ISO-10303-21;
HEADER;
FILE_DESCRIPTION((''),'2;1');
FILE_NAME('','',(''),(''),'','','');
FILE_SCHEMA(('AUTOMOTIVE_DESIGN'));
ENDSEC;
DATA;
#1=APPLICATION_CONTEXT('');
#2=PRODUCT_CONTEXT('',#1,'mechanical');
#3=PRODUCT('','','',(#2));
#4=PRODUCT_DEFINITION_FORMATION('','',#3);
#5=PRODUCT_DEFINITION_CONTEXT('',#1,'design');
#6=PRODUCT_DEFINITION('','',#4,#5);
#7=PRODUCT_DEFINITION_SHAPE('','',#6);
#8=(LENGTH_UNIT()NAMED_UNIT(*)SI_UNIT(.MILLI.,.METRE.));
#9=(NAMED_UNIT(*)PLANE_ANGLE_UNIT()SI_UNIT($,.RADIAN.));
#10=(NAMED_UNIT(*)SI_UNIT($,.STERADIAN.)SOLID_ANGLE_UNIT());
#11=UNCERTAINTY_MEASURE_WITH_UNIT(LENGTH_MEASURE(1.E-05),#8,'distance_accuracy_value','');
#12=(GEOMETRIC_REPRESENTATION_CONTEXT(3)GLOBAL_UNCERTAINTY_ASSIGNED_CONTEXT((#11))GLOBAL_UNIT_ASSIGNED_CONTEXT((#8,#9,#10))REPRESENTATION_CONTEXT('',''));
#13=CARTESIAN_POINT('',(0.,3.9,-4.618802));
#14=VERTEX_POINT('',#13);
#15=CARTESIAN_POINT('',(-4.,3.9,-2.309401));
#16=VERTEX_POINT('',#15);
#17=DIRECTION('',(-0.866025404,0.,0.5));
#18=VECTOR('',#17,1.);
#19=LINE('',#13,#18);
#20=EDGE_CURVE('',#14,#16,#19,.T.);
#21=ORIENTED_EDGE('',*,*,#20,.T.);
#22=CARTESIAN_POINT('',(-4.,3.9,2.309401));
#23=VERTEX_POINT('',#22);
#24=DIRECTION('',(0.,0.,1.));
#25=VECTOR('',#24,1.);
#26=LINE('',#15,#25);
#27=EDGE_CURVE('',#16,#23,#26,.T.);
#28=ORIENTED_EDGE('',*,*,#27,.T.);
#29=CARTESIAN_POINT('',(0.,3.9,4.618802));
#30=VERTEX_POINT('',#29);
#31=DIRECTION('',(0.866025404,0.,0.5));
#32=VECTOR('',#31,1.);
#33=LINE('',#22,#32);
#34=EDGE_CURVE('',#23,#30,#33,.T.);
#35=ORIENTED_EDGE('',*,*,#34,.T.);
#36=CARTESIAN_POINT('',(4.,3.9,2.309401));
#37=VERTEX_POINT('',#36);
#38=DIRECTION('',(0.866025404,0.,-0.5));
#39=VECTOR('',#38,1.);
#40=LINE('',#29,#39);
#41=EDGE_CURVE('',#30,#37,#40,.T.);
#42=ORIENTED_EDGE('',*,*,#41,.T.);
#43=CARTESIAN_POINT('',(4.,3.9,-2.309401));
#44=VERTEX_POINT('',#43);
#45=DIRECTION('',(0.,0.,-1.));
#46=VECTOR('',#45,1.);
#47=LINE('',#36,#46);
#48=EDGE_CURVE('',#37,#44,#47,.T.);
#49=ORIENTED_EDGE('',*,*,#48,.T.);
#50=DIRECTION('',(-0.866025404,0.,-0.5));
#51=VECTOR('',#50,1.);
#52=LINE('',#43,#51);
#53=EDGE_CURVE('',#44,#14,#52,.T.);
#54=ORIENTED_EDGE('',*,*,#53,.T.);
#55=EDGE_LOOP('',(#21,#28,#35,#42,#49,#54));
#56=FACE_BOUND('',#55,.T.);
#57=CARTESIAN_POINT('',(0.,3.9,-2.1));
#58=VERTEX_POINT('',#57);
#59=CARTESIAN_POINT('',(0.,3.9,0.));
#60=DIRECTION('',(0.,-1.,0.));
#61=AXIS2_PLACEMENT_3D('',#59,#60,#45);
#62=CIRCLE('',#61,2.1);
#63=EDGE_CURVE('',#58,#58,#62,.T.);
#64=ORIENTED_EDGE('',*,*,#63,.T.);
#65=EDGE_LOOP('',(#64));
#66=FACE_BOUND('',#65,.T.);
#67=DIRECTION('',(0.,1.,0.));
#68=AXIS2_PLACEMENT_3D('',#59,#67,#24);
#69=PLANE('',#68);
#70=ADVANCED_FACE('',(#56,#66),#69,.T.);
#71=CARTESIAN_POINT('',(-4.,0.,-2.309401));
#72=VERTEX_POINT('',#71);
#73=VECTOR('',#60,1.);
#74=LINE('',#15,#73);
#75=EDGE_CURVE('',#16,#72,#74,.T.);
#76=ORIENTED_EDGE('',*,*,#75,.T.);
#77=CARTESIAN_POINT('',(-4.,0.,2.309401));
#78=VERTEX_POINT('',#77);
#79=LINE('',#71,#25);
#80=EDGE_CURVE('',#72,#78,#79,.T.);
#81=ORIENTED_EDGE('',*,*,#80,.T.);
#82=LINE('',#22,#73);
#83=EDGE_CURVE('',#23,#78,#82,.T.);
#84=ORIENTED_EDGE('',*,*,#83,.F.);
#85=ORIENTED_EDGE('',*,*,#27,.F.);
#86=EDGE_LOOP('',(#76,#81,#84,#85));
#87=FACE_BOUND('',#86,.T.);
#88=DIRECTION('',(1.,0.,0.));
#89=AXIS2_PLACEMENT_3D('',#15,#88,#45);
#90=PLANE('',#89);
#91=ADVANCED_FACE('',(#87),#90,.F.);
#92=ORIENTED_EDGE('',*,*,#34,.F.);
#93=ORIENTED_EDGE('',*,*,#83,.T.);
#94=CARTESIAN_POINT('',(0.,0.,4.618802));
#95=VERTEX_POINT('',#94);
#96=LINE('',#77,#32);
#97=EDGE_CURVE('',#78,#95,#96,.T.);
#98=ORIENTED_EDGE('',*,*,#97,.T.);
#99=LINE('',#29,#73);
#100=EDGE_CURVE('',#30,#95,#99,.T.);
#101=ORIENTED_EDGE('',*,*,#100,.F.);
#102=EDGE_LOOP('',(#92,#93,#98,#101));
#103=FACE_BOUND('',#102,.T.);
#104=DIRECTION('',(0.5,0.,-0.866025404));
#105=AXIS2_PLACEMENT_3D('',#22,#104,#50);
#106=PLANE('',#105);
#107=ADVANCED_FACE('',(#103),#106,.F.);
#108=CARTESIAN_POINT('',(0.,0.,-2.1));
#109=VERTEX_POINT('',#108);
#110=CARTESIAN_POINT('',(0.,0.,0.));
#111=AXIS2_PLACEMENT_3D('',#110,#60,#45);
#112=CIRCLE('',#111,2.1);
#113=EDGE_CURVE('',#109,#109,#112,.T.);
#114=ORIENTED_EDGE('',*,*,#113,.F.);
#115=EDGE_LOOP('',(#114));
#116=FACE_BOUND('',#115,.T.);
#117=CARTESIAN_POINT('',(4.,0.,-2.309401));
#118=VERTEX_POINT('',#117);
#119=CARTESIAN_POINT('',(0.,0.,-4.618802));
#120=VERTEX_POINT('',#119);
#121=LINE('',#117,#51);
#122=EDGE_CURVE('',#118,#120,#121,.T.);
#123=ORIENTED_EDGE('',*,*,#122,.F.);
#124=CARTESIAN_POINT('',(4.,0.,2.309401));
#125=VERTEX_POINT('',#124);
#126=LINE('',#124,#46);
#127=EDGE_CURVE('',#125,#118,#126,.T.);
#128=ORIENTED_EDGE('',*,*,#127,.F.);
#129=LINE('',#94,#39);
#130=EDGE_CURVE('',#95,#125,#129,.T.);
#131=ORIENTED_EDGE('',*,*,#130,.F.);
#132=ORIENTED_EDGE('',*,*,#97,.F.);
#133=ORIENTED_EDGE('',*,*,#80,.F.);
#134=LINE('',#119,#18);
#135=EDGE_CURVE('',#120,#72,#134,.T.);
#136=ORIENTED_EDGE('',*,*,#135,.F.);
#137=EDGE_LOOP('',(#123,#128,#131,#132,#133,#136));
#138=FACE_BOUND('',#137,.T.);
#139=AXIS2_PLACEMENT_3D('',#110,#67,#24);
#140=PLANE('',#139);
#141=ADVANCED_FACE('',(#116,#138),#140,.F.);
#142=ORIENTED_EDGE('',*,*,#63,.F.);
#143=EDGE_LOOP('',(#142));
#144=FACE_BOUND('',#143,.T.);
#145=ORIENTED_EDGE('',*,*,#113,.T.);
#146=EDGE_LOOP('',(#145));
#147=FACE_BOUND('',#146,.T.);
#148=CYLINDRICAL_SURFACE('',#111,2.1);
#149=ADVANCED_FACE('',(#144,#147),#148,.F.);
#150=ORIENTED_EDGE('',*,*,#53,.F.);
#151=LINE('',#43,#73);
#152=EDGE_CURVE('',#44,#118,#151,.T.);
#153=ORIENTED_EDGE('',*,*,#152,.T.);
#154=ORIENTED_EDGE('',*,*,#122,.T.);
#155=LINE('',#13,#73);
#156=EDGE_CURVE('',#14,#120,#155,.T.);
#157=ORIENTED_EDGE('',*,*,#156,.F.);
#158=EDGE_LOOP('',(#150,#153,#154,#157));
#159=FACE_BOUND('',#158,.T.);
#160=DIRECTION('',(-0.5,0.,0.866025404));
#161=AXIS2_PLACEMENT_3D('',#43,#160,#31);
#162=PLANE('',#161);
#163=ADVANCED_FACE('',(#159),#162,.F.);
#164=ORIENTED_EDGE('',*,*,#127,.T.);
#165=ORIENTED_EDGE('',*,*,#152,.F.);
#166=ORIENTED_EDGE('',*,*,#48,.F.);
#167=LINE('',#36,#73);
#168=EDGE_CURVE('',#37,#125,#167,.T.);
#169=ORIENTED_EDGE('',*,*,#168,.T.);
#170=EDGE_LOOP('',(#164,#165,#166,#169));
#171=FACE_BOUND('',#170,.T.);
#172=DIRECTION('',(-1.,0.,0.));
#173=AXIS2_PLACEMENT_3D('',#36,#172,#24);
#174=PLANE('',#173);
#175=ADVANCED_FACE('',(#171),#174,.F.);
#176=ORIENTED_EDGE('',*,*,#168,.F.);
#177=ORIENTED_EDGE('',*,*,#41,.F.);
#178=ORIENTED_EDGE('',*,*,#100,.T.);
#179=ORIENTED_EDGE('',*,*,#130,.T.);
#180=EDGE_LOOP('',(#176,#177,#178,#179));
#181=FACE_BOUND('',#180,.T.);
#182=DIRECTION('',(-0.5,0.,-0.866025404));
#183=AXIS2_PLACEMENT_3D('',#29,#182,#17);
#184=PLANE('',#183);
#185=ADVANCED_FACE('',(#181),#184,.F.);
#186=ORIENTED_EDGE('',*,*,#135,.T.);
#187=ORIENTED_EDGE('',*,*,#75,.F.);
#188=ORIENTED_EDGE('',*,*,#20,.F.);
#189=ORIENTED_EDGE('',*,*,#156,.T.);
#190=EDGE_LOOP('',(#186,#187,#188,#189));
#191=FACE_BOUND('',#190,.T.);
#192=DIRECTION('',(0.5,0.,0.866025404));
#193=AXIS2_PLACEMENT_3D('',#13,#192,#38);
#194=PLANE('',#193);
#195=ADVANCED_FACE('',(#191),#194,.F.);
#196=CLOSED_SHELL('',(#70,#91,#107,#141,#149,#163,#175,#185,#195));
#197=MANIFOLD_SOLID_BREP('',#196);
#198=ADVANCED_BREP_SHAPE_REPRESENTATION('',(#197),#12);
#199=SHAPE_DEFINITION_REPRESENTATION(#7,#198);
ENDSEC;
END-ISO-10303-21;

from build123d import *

# Parameters (mm, degrees)
EXTRUDE_1_DEPTH    = 3.9
HOLE_WIZARD_M5_1_D = 4.2


with BuildPart() as part:
    # 草图1 → 凸台-拉伸1 (new body)
    with BuildSketch(Plane(origin=(0, 0, 0), x_dir=(1, 0, 0), z_dir=(0, 1, 0))):
        Polygon((4, -2.309401077), (4, 2.309401077), (0, 4.618802154), (-4, 2.309401077), (-4, -2.309401077), (0, -4.618802154), align=None)
    extrude(amount=EXTRUDE_1_DEPTH)

    # M5 螺纹孔1 (through all)
    with Locations(Plane(origin=(0, 0, 0), x_dir=(0, 0, -1), z_dir=(0, -1, 0))):
        with Locations((0, 0)):
            Hole(HOLE_WIZARD_M5_1_D / 2)


solid = part.part
